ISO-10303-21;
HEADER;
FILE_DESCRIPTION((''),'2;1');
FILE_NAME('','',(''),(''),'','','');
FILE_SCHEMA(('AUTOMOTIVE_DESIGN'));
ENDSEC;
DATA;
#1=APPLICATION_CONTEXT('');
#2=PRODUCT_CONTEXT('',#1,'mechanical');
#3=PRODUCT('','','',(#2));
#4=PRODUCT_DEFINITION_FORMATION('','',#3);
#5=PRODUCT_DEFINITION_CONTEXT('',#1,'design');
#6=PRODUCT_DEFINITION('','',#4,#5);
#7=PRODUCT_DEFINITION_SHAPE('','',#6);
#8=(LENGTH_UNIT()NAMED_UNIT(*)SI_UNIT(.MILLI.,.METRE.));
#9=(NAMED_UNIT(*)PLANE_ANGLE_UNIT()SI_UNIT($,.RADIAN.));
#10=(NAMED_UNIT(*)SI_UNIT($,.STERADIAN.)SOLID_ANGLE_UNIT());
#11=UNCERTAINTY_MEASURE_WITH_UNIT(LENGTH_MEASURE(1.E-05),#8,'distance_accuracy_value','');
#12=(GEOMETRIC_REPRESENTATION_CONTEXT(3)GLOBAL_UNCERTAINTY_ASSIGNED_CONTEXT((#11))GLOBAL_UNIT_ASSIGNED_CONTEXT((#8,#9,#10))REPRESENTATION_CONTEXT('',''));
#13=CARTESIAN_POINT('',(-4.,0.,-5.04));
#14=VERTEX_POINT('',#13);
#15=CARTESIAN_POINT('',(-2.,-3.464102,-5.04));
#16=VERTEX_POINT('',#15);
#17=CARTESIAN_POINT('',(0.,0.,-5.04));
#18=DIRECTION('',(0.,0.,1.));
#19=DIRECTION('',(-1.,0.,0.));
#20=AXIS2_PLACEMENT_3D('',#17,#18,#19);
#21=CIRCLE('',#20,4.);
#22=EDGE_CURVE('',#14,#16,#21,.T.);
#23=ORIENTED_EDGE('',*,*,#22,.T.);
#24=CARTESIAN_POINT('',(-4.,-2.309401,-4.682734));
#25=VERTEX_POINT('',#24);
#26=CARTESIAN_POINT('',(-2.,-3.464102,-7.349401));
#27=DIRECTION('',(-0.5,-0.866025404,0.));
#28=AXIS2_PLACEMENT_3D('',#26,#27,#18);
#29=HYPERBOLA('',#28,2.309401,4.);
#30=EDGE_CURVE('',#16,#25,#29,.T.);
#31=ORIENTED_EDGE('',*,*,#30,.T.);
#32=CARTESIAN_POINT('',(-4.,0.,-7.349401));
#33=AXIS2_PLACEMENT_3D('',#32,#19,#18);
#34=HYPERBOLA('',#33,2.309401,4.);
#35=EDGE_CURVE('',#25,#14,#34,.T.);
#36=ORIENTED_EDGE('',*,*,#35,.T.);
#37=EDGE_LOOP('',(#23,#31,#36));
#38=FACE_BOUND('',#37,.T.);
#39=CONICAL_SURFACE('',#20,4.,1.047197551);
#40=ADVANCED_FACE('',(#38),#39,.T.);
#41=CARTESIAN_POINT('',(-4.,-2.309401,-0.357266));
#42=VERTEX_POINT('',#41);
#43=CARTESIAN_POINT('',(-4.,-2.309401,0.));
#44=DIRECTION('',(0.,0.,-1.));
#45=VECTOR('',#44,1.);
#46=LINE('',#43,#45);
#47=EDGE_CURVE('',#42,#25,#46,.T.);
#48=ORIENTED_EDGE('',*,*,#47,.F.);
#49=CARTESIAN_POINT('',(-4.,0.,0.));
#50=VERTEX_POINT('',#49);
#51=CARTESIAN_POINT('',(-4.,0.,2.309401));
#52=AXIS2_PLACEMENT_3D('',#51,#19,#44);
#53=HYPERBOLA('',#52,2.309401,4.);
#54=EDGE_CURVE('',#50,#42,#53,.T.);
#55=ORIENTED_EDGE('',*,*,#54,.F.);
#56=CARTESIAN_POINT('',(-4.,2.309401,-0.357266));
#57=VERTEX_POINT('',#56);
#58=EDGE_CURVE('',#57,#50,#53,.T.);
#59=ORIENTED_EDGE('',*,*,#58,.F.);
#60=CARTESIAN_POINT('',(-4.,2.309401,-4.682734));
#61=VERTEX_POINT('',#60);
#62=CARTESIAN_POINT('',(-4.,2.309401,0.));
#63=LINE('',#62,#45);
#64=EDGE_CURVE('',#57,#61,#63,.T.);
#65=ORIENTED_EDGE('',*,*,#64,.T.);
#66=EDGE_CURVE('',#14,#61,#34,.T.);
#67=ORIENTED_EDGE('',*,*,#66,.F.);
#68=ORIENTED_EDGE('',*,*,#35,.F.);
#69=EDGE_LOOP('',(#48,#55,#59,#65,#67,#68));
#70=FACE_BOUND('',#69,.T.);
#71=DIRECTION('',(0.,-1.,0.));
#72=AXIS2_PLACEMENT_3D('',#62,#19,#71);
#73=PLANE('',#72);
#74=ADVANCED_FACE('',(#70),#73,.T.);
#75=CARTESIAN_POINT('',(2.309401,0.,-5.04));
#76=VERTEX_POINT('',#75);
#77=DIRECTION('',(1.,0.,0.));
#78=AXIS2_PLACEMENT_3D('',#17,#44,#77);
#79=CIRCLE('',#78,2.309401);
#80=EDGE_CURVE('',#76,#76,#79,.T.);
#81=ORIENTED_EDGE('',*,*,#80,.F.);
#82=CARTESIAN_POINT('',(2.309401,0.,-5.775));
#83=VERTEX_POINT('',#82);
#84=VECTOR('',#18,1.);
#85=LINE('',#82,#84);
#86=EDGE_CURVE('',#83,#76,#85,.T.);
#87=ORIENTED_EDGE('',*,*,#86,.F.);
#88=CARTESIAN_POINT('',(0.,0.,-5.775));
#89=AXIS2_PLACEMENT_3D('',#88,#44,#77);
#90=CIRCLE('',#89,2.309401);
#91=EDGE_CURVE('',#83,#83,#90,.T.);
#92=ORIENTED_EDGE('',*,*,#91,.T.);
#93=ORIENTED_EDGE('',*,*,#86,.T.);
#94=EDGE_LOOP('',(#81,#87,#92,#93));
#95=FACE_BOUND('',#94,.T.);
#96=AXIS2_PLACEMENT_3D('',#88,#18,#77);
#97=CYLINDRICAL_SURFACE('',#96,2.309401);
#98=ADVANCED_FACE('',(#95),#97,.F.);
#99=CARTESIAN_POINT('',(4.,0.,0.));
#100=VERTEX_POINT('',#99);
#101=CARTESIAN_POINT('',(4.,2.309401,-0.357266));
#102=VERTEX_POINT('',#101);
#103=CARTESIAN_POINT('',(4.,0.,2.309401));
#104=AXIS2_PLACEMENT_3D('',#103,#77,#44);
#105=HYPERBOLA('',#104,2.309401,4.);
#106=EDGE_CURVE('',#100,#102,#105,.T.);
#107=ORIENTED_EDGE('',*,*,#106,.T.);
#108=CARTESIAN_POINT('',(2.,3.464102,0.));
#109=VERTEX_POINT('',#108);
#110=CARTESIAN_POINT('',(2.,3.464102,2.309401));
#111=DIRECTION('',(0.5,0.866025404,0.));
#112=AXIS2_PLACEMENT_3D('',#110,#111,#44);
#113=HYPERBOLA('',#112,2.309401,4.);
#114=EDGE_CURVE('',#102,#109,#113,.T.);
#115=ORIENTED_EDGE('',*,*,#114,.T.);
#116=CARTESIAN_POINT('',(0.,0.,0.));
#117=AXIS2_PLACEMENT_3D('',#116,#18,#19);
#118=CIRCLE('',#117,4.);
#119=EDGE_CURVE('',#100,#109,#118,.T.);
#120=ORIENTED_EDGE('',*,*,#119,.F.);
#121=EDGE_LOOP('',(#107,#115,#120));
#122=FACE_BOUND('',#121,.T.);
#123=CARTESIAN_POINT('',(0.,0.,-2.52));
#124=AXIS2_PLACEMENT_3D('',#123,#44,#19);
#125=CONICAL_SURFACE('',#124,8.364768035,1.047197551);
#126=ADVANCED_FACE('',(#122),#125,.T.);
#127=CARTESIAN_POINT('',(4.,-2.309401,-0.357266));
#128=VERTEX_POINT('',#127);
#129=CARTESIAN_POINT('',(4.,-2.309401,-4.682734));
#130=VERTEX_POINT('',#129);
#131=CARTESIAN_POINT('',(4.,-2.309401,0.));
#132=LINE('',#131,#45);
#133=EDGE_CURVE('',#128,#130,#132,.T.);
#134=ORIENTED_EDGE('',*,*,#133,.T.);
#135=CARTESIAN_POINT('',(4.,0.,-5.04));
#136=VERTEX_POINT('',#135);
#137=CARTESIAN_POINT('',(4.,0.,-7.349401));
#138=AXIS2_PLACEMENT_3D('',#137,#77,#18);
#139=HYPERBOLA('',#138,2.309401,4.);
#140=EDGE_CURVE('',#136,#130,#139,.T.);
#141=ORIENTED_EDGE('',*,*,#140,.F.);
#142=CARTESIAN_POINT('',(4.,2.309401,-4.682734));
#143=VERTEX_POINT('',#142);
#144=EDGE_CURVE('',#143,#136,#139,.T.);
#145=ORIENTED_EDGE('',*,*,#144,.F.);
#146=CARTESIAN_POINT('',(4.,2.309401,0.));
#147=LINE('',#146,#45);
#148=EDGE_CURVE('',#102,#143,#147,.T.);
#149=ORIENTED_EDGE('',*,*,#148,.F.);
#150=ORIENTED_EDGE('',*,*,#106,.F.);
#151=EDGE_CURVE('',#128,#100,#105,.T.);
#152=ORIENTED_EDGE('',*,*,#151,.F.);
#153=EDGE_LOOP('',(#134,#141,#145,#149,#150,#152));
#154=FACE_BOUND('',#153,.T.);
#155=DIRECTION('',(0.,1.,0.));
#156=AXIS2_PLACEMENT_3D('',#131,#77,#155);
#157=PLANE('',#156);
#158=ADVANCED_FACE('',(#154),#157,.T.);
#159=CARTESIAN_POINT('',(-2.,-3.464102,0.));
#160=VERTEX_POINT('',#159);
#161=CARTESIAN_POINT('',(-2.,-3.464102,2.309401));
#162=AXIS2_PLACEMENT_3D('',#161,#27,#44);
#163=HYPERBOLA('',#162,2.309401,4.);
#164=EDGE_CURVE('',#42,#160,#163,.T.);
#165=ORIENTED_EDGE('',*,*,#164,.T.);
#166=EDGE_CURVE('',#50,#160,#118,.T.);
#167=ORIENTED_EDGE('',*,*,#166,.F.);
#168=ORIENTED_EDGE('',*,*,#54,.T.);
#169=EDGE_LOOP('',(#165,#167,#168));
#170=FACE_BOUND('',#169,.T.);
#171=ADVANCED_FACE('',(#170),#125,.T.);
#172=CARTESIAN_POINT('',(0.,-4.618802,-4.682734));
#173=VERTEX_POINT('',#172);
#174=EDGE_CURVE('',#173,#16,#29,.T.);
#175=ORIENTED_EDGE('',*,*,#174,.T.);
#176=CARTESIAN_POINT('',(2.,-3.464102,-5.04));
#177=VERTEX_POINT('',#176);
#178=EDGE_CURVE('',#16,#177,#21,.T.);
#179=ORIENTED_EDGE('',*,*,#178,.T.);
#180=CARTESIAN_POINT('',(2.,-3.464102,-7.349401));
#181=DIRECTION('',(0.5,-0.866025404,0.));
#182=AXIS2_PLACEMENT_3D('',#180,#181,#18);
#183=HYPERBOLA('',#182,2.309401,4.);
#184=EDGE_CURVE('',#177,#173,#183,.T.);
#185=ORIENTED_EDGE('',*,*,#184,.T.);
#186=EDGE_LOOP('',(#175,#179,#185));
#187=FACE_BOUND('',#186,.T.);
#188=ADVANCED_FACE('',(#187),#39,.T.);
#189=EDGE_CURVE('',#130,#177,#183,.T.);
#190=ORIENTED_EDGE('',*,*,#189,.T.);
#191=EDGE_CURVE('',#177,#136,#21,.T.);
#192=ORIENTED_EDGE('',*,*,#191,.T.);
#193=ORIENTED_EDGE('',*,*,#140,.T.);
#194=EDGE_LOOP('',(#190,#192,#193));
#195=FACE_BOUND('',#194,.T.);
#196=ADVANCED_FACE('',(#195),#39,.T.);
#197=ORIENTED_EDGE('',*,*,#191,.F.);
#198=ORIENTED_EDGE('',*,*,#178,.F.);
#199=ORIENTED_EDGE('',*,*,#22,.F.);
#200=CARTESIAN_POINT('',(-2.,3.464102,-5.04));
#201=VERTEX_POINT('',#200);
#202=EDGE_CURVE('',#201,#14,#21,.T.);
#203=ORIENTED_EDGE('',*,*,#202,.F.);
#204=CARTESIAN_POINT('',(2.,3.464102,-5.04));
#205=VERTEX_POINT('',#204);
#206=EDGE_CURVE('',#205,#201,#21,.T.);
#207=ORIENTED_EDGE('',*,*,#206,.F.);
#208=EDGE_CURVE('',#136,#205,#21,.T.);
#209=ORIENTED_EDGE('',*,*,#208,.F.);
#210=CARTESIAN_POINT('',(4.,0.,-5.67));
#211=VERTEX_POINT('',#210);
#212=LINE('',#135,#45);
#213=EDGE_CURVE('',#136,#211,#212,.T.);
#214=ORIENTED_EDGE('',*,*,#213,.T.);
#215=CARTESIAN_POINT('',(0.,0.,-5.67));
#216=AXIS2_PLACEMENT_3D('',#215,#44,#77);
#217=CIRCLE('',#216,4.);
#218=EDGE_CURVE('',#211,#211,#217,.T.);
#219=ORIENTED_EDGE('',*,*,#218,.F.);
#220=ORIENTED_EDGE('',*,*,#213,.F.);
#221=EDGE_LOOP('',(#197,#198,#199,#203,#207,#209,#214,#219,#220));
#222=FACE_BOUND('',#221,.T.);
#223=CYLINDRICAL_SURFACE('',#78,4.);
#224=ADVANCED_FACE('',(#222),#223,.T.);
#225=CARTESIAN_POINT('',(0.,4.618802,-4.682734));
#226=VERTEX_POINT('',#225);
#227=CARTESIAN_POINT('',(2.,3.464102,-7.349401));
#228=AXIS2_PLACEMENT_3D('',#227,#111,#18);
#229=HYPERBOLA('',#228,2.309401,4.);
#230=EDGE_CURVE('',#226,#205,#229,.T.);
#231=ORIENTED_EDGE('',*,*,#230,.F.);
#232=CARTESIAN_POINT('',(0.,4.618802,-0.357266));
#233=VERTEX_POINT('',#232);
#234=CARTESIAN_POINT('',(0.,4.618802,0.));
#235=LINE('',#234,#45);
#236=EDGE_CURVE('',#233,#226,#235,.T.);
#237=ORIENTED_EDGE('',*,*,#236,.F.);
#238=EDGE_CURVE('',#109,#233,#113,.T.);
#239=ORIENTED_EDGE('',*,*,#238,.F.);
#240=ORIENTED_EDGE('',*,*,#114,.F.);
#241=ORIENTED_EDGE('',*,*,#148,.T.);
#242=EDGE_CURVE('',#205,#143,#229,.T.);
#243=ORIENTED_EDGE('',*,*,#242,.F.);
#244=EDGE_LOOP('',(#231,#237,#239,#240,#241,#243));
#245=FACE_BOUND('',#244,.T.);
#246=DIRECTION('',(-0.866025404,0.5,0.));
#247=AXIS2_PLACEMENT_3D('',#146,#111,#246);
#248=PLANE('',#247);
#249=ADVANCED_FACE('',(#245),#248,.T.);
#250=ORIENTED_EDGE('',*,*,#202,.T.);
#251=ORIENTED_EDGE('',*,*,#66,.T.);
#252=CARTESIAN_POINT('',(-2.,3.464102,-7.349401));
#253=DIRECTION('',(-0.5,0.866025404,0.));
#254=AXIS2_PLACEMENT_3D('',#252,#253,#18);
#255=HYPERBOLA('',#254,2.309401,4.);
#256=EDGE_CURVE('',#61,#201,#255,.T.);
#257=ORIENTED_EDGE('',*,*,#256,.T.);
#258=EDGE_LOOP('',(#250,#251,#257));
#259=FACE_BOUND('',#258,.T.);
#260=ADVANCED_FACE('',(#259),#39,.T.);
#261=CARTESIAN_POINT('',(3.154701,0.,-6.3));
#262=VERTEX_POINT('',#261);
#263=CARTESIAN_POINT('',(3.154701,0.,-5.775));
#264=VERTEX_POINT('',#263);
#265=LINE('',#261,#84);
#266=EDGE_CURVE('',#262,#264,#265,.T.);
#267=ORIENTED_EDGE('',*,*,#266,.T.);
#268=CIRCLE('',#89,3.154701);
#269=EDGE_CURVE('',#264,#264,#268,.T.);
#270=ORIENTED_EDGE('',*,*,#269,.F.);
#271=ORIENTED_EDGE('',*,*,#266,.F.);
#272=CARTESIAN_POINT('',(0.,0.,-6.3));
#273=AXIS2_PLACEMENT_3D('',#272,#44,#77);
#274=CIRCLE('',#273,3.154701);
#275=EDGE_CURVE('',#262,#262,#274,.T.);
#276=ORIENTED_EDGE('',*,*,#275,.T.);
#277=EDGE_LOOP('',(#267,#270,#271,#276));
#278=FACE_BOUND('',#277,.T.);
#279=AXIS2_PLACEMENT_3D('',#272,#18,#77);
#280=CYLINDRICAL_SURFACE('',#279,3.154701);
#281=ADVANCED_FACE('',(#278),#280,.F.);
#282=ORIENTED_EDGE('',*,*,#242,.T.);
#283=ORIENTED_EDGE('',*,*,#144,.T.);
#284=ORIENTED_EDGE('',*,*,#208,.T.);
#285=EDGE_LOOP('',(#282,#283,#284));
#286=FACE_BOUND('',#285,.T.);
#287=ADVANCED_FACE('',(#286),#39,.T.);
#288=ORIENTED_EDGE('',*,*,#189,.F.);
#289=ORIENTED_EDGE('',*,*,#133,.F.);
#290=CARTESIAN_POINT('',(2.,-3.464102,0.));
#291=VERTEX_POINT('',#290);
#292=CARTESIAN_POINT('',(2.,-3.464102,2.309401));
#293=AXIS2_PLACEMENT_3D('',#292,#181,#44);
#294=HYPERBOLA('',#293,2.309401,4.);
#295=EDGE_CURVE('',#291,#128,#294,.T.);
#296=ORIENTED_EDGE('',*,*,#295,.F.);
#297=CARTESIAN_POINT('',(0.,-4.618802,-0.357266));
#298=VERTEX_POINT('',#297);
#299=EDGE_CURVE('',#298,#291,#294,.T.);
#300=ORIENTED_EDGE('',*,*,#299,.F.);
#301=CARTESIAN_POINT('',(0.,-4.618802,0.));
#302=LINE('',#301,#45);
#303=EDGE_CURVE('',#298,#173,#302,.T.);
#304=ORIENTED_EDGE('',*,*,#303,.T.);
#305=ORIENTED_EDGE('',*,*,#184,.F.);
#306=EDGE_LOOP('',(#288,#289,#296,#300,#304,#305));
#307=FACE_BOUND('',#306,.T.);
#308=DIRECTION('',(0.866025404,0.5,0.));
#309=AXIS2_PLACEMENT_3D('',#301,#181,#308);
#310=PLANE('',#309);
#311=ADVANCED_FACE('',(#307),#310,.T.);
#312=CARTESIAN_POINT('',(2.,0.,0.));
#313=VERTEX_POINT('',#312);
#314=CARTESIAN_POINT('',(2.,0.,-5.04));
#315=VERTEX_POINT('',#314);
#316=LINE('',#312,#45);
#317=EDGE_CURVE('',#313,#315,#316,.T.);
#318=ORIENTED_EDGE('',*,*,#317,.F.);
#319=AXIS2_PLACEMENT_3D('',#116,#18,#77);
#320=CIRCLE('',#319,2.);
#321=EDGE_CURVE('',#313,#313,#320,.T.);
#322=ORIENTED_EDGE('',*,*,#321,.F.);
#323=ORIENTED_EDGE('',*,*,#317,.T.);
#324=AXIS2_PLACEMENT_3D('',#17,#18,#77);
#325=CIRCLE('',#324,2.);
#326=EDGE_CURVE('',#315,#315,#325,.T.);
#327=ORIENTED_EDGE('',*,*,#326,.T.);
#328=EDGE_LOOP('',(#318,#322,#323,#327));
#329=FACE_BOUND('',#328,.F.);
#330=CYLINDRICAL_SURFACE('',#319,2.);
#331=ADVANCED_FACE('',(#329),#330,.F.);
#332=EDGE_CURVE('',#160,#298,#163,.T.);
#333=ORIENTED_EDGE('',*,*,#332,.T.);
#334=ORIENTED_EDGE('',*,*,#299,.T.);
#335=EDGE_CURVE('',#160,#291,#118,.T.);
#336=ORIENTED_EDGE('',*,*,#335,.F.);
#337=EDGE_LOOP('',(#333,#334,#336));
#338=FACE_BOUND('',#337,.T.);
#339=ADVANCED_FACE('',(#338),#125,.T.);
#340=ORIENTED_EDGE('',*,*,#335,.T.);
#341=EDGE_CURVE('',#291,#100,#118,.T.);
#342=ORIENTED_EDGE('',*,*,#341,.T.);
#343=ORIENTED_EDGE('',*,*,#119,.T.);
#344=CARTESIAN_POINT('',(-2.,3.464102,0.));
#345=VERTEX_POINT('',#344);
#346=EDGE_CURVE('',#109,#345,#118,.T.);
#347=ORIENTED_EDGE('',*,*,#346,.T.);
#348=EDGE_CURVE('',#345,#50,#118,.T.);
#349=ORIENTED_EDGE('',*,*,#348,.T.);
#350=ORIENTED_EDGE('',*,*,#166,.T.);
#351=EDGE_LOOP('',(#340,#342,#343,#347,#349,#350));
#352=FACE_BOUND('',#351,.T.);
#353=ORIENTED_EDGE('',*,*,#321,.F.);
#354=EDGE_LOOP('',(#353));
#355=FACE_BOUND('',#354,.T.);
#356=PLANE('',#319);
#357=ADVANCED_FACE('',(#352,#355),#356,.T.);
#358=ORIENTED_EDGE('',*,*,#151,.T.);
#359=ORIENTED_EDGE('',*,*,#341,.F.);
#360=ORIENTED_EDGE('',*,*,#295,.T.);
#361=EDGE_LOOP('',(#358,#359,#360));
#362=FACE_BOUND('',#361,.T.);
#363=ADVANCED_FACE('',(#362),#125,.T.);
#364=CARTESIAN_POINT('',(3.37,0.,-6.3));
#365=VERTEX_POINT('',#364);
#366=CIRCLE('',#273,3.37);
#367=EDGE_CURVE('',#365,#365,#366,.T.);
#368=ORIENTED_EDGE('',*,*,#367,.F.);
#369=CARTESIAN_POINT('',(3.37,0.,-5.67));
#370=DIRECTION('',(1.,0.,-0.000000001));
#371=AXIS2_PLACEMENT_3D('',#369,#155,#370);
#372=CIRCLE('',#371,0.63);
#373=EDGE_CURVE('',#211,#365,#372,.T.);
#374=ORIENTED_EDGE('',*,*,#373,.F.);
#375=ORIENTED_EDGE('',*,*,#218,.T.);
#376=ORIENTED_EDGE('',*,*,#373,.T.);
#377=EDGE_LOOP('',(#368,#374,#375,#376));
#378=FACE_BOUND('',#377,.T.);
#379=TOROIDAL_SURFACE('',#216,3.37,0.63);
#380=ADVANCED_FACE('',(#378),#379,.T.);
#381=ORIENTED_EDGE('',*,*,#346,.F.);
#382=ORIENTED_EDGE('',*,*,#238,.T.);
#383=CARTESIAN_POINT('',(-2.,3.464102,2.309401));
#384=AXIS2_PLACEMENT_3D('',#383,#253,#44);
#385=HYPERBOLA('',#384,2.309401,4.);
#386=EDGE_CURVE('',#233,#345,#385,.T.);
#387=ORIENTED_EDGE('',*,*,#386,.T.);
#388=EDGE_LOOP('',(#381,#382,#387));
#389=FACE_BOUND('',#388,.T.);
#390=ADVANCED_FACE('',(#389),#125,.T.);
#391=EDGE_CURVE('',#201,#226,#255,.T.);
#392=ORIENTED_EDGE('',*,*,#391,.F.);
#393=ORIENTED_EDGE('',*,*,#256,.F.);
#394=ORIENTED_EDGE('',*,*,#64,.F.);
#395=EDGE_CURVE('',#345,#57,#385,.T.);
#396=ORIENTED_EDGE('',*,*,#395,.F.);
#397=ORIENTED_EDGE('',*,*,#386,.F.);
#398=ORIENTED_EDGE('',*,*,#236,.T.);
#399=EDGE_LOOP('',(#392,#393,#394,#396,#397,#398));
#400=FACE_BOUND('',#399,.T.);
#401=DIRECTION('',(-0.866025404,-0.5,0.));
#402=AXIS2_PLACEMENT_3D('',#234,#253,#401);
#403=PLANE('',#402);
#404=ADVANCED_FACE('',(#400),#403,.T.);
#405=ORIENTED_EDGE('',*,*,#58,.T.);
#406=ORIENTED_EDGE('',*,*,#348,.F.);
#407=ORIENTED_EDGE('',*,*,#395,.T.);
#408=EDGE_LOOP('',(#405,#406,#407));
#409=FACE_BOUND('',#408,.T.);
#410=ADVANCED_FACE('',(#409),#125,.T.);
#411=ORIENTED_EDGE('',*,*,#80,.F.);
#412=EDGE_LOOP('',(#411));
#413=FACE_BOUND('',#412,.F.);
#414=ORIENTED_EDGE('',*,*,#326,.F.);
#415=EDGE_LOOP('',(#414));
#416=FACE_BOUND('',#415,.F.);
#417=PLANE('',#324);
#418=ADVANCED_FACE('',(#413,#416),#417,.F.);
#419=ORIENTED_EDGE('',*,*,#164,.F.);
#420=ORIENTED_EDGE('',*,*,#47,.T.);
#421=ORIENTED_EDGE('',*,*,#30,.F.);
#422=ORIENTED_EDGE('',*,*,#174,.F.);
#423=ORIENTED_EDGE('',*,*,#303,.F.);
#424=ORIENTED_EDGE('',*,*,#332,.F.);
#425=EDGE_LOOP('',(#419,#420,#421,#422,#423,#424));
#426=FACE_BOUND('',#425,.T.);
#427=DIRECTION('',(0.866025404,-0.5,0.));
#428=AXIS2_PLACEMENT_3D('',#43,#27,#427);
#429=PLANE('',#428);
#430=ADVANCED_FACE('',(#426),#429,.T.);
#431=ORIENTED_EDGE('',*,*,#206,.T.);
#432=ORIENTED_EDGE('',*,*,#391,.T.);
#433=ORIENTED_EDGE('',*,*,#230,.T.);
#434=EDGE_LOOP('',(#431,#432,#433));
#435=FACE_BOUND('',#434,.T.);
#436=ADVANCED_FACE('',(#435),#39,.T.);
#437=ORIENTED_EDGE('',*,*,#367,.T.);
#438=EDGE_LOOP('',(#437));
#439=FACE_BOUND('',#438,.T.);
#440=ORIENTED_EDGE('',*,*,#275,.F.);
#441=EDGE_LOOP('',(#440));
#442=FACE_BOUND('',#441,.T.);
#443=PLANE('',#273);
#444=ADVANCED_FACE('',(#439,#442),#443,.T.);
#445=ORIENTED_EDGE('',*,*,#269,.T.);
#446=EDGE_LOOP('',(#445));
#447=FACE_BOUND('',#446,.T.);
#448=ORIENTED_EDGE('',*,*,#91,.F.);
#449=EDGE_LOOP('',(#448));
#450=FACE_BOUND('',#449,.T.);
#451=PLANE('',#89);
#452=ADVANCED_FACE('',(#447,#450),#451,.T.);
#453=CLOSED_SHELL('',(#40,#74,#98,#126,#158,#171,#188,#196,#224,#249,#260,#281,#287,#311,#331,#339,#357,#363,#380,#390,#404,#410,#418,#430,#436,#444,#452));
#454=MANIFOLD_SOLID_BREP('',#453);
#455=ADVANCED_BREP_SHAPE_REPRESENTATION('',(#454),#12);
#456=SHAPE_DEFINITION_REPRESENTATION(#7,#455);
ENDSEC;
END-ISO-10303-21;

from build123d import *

# Parameters (mm, degrees)
BASE_EXTRUSION_DEPTH    = 5.04
ESQUISSE3_R             = 2.5
ENL_V_MAT_EXTRU_1_DEPTH = 8.920538702
ESQUISSE5_R             = 2.5
ESQUISSE5_R_2           = 2
BOSS_EXTRU_1_DEPTH      = 5.04


with BuildPart() as part:
    # Esquisse1 → Base-Extrusion (new body)
    with BuildSketch(Plane.XY):
        Polygon((4, -2.309401077), (4, 2.309401077), (0, 4.618802154), (-4, 2.309401077), (-4, -2.309401077), (0, -4.618802154), align=None)
    extrude(amount=-BASE_EXTRUSION_DEPTH)

    # Esquisse2 → Enlèvement de matière-Révolution1 (revolve, cut)
    with BuildSketch(Plane(origin=(0, 0, 0), x_dir=(1, 0, 0), z_dir=(0, 1, 0))):
        Polygon((-4, 0), (-9.364768035, 0), (-9.364768035, 5.04), (-4, 5.04), (-8.364768035, 2.52), align=None)
    revolve(axis=Axis((0, 0, -5.04), (0, 0, 1)), mode=Mode.SUBTRACT)

    # Esquisse3 → Enlèv. mat.-Extru.1 (cut, through all)
    with BuildSketch(Plane.XY):
        Circle(ESQUISSE3_R)
    extrude(amount=-ENL_V_MAT_EXTRU_1_DEPTH, mode=Mode.SUBTRACT)

    # Esquisse4 → Boss.-Révol.1 (revolve)
    with BuildSketch(Plane(origin=(0, 0, 0), x_dir=(0, 0, -1), z_dir=(1, 0, 0)), mode=Mode.PRIVATE) as boss_r_vol_1_sk:
        with BuildLine():
            Line((5.04, 4), (5.67, 4))
            ThreePointArc((5.67, 4), (6.115477272, 3.815477272), (6.3, 3.37))
            Line((6.3, 3.37), (6.3, 3.154700538))
            Line((6.3, 3.154700538), (5.775, 3.154700538))
            Line((5.775, 3.154700538), (5.775, 2.309401077))
            Line((5.775, 2.309401077), (5.04, 2.309401077))
            Line((5.04, 2.309401077), (5.04, 4))
        make_face()
    revolve(boss_r_vol_1_sk.sketch.rotate(Axis((0, 0, 0), (0, 0, -1)), 90), axis=Axis((0, 0, 0), (0, 0, -1)))

    # Esquisse5 → Boss.-Extru.1 (add)
    with BuildSketch(Plane.XY):
        Circle(ESQUISSE5_R)
        Circle(ESQUISSE5_R_2, mode=Mode.SUBTRACT)
    extrude(amount=-BOSS_EXTRU_1_DEPTH)


solid = part.part
